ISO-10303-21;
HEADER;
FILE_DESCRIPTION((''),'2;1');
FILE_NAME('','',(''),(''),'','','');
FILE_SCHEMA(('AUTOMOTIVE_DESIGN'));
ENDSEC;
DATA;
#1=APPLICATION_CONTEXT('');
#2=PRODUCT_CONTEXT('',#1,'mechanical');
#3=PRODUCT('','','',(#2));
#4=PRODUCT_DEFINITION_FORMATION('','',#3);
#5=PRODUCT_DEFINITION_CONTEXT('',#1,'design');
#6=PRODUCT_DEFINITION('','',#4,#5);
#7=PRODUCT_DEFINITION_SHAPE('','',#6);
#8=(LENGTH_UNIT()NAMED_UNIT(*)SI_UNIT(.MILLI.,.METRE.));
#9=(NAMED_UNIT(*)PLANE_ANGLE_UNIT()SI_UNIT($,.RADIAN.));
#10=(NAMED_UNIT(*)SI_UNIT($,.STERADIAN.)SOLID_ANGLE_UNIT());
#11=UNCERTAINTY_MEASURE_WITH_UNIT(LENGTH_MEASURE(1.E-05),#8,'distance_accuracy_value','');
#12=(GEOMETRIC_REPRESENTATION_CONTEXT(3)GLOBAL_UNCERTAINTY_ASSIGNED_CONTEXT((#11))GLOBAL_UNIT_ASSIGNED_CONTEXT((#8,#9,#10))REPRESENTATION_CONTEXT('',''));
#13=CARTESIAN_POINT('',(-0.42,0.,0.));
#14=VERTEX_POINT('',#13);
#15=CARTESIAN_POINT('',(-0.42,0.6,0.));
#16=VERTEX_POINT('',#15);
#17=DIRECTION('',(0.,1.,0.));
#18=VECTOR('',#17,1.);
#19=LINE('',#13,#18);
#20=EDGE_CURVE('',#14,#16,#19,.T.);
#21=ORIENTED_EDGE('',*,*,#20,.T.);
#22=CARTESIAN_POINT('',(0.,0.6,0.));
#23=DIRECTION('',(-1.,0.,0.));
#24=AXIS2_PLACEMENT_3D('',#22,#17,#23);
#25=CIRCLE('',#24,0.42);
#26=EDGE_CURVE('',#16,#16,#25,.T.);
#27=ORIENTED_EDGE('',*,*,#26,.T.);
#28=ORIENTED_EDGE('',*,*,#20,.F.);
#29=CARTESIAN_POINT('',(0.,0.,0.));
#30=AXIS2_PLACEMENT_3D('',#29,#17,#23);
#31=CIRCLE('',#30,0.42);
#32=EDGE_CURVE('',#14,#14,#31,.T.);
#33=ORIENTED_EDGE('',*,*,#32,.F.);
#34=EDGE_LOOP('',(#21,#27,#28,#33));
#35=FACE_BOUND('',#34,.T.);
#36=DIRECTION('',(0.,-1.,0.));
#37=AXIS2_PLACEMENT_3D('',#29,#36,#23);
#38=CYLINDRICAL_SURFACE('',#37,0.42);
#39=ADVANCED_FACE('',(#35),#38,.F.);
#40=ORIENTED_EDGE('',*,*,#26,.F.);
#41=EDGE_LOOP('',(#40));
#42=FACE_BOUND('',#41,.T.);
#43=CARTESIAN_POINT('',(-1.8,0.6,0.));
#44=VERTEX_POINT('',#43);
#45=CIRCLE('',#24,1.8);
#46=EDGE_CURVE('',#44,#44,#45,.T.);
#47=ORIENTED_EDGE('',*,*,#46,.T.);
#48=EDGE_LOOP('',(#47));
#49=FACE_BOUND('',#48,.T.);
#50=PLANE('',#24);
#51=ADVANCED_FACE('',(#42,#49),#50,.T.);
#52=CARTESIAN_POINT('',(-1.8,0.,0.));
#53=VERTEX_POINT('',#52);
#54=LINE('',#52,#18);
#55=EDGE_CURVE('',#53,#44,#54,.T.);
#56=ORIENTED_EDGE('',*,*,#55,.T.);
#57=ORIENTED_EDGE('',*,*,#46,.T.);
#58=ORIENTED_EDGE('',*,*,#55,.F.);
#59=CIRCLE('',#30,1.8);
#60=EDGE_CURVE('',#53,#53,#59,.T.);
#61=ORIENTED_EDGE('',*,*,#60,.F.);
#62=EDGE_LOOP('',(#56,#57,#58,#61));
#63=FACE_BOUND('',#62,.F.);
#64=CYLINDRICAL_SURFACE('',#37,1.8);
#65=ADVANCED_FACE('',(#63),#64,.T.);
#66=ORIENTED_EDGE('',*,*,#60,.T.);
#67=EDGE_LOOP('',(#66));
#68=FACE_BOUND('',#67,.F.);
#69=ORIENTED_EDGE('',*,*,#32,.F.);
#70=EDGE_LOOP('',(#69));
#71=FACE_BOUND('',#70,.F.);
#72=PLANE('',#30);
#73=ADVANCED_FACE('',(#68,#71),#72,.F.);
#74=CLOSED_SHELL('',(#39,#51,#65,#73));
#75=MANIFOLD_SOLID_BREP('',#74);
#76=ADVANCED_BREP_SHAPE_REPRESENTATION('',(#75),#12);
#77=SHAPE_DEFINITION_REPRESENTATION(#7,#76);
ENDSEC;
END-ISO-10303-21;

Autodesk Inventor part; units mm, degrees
ref_plane "YZ Plane" through (0, 0, 0) normal (1, 0, 0) x (0, 1, 0)
ref_plane "XZ Plane" through (0, 0, 0) normal (0, 1, 0) x (-1, 0, 0)
ref_plane "XY Plane" through (0, 0, 0) normal (0, 0, 1) x (1, 0, 0)
sketch "Boceto1" plane through (0, 0, 0) normal (0, 1, 0) x (-1, 0, 0)
  circle A0 centre (0, 0) radius 1.8
  circle A1 centre (0, 0) radius 0.42
  dimension "d0" = 3.6
  dimension "d1" = 0.84
extrude "Extrusión1" add sketch "Boceto1" along normal blind 0.6
